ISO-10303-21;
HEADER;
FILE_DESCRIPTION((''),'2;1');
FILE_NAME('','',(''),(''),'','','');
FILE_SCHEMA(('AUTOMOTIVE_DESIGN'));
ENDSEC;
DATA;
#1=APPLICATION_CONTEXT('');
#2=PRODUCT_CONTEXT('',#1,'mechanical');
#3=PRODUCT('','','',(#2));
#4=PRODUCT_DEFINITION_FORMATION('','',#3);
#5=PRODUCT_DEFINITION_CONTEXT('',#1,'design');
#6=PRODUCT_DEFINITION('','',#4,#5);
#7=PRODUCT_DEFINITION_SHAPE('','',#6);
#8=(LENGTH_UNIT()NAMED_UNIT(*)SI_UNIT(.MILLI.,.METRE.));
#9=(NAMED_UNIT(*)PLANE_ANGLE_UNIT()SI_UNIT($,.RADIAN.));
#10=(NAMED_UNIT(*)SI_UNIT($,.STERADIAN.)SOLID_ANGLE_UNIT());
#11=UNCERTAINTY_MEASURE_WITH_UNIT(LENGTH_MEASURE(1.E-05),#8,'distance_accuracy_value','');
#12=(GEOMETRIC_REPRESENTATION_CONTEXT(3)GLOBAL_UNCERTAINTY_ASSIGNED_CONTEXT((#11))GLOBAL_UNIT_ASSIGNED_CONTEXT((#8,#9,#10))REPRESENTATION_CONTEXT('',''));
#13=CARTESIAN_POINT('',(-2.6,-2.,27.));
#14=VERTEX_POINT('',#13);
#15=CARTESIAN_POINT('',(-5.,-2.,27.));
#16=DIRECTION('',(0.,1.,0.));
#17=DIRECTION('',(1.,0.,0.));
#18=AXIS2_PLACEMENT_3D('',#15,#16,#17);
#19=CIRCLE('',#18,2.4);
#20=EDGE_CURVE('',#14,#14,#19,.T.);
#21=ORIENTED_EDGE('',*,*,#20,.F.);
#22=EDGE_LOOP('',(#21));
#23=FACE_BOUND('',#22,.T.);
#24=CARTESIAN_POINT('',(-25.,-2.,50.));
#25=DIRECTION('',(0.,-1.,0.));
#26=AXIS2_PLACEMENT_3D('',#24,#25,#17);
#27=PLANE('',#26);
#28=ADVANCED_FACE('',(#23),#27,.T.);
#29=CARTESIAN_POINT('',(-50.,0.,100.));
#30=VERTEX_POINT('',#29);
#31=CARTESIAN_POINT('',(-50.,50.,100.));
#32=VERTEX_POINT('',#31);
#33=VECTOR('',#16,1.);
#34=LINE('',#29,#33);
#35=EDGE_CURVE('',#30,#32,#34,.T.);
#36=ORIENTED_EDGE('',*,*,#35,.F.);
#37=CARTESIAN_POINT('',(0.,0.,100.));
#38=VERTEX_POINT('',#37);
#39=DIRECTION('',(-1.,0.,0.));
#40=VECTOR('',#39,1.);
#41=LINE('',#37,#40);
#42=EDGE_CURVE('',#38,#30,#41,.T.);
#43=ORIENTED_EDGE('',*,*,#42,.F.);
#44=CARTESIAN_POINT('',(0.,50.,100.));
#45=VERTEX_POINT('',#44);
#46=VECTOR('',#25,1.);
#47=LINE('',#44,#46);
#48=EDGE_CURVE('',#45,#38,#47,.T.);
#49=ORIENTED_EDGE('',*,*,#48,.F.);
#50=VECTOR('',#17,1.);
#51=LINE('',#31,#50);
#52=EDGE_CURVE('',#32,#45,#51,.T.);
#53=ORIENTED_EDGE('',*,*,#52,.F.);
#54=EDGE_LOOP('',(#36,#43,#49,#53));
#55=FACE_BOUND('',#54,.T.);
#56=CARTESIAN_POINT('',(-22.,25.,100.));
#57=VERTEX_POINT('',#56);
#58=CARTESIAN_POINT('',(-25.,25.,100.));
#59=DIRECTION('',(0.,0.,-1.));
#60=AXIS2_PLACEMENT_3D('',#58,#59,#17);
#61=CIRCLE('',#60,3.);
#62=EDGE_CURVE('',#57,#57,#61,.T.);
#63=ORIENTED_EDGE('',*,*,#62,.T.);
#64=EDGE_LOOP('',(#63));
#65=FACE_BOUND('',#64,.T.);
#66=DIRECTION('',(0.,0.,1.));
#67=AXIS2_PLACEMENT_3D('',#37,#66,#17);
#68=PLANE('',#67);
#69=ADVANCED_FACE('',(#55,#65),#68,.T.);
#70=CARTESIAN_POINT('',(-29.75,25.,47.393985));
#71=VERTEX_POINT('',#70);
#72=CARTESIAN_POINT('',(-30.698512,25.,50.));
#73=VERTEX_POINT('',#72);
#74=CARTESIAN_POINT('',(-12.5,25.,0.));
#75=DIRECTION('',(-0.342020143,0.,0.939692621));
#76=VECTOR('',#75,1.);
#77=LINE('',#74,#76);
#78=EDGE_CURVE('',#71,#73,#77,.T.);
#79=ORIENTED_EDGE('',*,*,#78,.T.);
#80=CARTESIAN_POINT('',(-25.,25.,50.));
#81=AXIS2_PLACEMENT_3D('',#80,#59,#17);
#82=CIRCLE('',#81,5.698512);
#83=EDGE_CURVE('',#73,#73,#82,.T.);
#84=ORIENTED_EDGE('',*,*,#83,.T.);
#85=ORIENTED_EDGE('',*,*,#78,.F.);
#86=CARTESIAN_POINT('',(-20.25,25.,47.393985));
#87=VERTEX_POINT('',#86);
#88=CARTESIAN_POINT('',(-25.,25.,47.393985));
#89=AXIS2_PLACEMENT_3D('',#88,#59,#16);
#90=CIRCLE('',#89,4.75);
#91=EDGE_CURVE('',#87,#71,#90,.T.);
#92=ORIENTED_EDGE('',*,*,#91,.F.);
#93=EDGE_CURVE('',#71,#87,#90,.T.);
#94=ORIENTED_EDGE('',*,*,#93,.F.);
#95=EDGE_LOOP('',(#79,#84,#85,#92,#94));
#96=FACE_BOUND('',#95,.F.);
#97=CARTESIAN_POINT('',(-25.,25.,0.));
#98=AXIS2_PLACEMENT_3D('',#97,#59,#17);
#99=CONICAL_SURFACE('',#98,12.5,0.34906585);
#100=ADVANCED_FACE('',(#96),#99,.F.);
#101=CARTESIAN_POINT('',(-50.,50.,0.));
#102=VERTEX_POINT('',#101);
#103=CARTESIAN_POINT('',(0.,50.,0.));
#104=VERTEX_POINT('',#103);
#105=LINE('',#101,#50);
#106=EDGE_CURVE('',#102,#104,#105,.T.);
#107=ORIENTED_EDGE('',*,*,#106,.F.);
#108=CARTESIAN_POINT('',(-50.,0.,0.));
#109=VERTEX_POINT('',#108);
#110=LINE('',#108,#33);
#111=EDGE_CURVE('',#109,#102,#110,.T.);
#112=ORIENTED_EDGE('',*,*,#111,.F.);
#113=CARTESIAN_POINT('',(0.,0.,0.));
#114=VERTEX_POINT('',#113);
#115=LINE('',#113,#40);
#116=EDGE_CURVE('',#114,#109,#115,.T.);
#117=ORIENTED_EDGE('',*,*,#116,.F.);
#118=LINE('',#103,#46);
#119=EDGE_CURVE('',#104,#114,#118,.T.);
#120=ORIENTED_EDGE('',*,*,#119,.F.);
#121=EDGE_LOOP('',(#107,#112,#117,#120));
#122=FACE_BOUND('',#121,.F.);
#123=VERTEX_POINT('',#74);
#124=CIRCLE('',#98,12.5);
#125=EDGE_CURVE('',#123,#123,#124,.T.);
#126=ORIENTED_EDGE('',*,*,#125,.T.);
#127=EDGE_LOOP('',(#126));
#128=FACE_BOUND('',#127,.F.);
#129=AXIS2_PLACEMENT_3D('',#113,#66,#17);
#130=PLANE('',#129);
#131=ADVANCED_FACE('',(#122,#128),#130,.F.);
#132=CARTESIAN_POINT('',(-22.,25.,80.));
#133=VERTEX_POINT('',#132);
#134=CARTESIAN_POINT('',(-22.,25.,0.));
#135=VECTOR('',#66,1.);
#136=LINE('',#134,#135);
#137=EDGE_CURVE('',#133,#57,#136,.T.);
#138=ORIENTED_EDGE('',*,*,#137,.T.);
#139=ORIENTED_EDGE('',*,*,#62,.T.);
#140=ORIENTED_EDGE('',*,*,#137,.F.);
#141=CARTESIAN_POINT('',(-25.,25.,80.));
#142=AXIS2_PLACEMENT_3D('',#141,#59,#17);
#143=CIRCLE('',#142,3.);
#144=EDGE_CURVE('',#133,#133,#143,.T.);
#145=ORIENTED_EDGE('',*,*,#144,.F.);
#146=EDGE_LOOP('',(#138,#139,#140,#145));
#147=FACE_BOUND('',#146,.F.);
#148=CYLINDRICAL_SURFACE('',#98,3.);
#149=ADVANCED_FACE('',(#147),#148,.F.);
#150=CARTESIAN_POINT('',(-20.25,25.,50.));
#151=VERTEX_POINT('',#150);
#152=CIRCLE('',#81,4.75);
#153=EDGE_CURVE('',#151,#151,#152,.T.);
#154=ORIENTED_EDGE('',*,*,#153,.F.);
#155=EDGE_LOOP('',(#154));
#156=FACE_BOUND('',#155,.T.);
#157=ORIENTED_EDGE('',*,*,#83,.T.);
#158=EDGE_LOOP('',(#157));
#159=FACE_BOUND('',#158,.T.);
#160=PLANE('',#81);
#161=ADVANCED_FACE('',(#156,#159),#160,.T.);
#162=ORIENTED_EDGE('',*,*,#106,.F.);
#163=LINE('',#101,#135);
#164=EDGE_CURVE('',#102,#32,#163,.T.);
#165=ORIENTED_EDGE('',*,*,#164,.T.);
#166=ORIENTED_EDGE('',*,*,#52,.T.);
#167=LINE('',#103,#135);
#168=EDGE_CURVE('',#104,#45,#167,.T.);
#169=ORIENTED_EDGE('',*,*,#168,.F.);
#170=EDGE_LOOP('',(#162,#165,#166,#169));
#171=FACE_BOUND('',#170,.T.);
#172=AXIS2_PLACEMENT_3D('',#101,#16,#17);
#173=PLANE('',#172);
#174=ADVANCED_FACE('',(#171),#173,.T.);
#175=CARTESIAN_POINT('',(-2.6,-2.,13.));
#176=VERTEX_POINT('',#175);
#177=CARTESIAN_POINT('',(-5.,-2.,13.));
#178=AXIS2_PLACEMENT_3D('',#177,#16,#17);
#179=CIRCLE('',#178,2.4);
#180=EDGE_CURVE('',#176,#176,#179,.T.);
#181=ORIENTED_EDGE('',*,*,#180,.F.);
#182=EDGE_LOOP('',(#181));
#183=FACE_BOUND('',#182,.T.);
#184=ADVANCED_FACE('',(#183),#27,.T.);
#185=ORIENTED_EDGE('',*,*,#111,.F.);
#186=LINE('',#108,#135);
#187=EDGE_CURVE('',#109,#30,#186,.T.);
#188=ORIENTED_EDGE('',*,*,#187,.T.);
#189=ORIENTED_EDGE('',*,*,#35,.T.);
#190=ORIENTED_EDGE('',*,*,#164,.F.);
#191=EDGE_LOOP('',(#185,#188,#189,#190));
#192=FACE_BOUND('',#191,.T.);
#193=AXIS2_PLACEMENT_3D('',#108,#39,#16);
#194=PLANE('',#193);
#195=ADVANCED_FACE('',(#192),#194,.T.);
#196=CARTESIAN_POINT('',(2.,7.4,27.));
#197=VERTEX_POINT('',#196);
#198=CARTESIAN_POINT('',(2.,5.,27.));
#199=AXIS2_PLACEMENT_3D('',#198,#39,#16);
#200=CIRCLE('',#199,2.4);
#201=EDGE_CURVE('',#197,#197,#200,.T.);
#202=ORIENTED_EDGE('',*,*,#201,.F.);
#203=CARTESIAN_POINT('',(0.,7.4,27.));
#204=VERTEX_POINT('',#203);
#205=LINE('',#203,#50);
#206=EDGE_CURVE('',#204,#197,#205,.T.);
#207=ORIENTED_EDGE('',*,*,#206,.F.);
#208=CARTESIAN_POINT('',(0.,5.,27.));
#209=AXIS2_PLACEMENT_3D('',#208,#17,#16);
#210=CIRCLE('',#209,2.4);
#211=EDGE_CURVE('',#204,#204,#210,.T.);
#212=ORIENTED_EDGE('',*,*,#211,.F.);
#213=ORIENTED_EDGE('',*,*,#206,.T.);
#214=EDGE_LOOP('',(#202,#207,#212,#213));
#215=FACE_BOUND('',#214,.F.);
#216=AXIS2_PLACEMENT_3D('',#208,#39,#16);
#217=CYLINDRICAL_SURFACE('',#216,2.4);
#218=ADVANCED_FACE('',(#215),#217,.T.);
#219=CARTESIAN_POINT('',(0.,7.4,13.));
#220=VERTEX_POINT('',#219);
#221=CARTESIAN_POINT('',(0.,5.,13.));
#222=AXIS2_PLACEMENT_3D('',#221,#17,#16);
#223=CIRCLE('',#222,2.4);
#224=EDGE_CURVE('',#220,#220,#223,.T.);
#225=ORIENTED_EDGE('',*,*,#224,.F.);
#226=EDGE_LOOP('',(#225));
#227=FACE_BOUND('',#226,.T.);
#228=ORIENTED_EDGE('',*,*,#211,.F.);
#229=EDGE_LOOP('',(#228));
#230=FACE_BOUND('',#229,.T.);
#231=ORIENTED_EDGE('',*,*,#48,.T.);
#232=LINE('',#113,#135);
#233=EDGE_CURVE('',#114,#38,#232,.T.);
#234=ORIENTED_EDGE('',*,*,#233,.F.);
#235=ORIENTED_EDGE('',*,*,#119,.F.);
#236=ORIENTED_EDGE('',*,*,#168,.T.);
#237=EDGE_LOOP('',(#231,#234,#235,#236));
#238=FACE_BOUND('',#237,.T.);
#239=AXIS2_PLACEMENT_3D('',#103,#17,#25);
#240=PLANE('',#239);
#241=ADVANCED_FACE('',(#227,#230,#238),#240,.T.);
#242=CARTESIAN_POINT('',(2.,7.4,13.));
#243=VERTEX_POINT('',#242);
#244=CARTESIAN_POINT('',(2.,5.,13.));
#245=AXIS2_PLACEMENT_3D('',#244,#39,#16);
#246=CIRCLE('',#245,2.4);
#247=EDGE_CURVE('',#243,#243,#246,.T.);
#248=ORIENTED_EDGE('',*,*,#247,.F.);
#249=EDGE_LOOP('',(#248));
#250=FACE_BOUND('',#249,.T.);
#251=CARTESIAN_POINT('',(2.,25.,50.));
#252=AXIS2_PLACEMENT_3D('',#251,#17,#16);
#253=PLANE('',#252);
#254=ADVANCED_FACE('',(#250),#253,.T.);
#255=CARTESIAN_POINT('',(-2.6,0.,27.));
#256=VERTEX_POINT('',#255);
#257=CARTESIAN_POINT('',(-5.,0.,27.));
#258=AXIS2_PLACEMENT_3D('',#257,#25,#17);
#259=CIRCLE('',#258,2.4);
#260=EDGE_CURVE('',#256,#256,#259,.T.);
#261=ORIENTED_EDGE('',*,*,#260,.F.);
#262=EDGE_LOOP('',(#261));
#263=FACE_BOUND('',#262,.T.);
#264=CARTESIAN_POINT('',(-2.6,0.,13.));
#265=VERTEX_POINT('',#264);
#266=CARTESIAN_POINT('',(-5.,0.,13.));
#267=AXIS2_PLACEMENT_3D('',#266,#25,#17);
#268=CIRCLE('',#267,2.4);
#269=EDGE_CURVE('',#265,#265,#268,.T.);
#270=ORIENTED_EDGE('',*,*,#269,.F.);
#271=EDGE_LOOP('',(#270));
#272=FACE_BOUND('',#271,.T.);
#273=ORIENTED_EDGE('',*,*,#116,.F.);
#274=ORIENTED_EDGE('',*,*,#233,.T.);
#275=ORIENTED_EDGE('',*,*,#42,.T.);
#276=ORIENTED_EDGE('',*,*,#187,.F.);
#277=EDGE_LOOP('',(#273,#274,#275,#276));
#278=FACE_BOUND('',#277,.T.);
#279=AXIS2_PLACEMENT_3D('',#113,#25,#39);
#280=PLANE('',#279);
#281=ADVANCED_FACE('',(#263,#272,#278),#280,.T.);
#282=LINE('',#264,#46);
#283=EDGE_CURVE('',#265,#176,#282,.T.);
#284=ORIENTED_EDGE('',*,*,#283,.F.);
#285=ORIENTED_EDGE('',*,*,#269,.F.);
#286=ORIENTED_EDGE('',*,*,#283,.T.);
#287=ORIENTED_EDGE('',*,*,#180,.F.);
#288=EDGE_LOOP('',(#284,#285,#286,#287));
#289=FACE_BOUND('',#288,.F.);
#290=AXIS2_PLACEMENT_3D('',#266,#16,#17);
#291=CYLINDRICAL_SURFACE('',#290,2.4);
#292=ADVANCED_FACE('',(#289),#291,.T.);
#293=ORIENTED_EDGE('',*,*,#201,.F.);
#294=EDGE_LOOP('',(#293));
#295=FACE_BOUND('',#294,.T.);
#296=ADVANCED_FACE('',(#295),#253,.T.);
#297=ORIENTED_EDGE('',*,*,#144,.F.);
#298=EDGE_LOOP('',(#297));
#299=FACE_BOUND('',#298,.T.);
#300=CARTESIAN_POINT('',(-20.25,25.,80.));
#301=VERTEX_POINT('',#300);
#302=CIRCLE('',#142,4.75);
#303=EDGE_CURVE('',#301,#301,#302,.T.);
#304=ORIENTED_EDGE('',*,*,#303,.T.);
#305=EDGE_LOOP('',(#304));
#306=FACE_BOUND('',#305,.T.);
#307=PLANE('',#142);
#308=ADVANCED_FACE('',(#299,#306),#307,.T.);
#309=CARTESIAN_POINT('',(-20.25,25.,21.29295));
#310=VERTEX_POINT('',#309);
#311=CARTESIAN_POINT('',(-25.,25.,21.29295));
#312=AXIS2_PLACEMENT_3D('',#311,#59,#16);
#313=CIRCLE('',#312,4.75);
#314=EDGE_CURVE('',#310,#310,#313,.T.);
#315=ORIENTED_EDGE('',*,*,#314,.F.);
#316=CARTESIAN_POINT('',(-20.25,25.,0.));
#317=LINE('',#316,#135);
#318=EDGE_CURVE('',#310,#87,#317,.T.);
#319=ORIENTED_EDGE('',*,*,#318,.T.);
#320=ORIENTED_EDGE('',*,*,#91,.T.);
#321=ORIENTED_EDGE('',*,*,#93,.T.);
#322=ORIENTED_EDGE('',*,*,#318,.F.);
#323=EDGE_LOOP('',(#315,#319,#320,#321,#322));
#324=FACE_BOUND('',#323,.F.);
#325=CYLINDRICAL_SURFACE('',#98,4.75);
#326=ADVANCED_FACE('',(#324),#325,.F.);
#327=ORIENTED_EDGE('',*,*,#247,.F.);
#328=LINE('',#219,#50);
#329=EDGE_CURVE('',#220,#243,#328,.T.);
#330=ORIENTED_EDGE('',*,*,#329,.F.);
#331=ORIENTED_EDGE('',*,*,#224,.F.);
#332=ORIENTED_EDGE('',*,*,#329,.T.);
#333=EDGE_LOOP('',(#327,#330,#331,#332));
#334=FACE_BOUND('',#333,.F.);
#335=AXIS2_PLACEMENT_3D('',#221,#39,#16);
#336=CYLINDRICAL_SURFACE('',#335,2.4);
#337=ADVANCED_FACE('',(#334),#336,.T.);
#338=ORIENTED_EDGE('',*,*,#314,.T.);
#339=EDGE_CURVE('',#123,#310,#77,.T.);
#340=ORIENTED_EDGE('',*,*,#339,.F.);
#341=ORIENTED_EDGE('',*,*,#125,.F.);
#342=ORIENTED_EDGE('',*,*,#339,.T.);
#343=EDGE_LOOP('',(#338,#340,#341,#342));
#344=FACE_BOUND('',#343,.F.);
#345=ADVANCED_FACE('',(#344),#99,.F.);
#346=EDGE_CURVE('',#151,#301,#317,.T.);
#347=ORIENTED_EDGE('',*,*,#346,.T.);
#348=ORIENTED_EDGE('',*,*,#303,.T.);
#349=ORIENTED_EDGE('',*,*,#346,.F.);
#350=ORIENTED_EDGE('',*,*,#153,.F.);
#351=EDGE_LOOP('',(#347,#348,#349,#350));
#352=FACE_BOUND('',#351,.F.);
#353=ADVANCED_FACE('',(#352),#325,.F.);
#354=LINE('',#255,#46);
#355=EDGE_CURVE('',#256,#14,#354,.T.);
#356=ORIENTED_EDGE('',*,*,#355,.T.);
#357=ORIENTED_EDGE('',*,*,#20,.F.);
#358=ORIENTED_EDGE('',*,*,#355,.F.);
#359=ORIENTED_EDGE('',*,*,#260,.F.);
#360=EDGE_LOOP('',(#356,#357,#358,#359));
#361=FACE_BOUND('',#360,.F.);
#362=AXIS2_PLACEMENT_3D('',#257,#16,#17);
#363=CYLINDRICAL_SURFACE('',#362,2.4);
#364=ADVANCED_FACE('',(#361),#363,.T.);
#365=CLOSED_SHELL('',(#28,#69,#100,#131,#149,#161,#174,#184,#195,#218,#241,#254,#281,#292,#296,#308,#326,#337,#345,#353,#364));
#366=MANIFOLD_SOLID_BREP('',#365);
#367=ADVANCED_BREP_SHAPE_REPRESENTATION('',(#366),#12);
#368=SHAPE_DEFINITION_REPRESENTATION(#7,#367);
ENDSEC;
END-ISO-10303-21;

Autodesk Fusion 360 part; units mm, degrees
sketch "Sketch1" plane through (0, 0, 0) normal (0, 0, 1) x (1, 0, 0)
  line L0 (0, 0) -> (-50, 0)
  line L1 (-50, 0) -> (-50, 50)
  line L2 (-50, 50) -> (0, 50)
  line L3 (0, 50) -> (0, 0)
  dimension "d1" = 50
  dimension "d2" = 50
extrude "Extrude1" add sketch "Sketch1" along normal blind 100
ref_plane "WorkPlane1" through (-25, 25, 0) normal (0, 0, -1) x (-1, 0, 0)
sketch "Sketch2" plane through (-25, 25, 0) normal (0, 0, -1) x (1, 0, 0)
  circle A0 centre (0, 0) radius 12.5
  dimension "d6" = 25
extrude "Extrude2" cut sketch "Sketch2" against normal blind 50 draft -20
sketch "Sketch3" plane through (0, 0, 0) normal (0, 0, -1) x (1, 0, 0)
  circle A0 centre (-25, -25) radius 12.5
  line L0 (-50, -50) -> (0, -50)
  line L1 (0, -50) -> (0, 0)
  line L2 (0, 0) -> (-50, 0)
  line L3 (-50, 0) -> (-50, -50)
ref_plane "WorkPlane2" through (-25, 25, 0) normal (0, 0, -1) x (1, 0, 0)
sketch "Sketch4" plane through (0, 0, 0) normal (0, 0, -1) x (1, 0, 0)
  circle A0 centre (-25, -25) radius 3
  circle A1 centre (-25, -25) radius 4.75
  dimension "d10" = 6
  dimension "d11" = 9.5
extrude "Extrude3" cut sketch "Sketch4" against normal blind 100 contours A0
sketch "Sketch5" plane through (-25, 25, 0) normal (0, 0, -1) x (1, 0, 0)
  circle A0 centre (0, 0) radius 4.75
  dimension "d14" = 9.5
extrude "Extrude4" cut sketch "Sketch5" against normal blind 80
sketch "Sketch6" plane through (0, 0, 0) normal (0, 0, -1) x (1, 0, 0)
ref_plane "WorkPlane3" through (0, 25, 50) normal (1, 0, 0) x (0, 1, 0)
sketch "Sketch7" plane through (0, 25, 50) normal (1, 0, 0) x (0, 1, 0)
  line L0 (-25, -50) -> (-20, -50)
  line L1 (-20, -50) -> (-20, -37)
  line L2 (-20, -37) -> (-25, -37)
  line L3 (-25, -37) -> (-25, -50)
  line L4 (-25, -37) -> (-20, -37)
  line L5 (-20, -37) -> (-20, -23)
  line L6 (-20, -23) -> (-25, -23)
  line L7 (-25, -23) -> (-25, -37)
  circle A0 centre (-20, -23) radius 2.4
  circle A1 centre (-20, -37) radius 2.4
  dimension "d18" = 5
  dimension "d19" = 13
  dimension "d20" = 5
  dimension "d21" = 14
  dimension "d22" = 4.8
  dimension "d23" = 4.8
extrude "Extrude5" add sketch "Sketch7" along normal blind 2 contours L1 L2 L4 A1 | L1 L5 A1 | L2 L4 L5 A1 | L5 L6 A0 | L5 L6 A0
ref_plane "WorkPlane4" through (-25, 0, 50) normal (0, -1, 0) x (1, 0, 0)
sketch "Sketch8" plane through (-25, 0, 50) normal (0, -1, 0) x (1, 0, 0)
  line L0 (25, -50) -> (20, -50)
  line L1 (20, -50) -> (20, -37)
  line L2 (20, -37) -> (25, -37)
  line L3 (25, -37) -> (25, -50)
  line L4 (25, -37) -> (20, -37)
  line L5 (20, -37) -> (20, -23)
  line L6 (20, -23) -> (25, -23)
  line L7 (25, -23) -> (25, -37)
  circle A0 centre (20, -23) radius 2.4
  circle A1 centre (20, -37) radius 2.4
  dimension "d27" = 4.8
  dimension "d28" = 4.8
extrude "Extrude6" add sketch "Sketch8" along normal blind 2 contours L1 L5 A1 | L1 L2 L4 A1 | L2 L4 L5 A1 | L5 L6 A0 | L5 L6 A0
